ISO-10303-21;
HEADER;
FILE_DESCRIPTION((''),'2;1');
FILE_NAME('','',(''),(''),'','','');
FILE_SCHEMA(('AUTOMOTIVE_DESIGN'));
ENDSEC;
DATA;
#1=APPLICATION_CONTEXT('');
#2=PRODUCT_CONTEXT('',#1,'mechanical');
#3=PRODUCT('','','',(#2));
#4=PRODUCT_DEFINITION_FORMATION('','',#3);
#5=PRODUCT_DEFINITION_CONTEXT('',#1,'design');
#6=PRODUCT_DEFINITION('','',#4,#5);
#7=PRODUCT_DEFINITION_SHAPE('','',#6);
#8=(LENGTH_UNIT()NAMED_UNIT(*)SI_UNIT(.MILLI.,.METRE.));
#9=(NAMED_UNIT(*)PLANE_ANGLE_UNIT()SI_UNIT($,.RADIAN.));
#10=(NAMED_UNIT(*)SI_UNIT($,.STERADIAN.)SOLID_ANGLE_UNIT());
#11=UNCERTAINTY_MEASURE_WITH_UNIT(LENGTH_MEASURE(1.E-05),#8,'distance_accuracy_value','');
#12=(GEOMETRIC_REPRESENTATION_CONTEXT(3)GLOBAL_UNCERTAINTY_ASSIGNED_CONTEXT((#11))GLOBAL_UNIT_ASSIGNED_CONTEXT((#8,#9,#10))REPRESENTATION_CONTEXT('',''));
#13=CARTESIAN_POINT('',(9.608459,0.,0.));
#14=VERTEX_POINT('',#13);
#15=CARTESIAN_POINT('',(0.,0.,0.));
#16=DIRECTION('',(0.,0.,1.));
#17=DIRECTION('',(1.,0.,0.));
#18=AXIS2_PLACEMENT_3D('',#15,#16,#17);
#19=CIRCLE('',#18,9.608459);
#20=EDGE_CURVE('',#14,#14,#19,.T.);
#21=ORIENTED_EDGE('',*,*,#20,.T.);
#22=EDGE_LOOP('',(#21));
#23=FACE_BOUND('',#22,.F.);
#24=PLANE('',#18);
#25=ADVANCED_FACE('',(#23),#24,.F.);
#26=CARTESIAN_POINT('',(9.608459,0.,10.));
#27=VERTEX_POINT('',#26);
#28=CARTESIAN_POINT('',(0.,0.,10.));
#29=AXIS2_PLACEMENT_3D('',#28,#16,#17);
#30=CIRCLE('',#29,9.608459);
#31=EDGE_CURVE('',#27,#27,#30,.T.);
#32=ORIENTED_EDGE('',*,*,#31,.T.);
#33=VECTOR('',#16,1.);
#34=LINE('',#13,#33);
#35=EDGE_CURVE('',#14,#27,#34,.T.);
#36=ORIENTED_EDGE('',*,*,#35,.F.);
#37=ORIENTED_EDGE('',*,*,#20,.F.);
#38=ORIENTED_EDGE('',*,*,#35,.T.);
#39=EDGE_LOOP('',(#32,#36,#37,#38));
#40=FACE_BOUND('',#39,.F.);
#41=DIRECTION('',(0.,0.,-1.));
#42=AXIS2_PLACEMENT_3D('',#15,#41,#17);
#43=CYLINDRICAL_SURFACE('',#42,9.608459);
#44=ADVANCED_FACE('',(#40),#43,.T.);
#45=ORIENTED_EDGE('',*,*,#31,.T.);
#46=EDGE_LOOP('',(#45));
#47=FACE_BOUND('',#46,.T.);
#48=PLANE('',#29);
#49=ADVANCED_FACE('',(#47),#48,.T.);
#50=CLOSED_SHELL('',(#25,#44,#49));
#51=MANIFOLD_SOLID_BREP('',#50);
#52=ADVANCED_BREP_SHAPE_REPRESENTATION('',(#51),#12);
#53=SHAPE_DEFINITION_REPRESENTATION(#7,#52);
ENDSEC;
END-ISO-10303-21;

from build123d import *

# Parameters (mm, degrees)
SKETCH_R  = 9.608459
PAD_DEPTH = 10


with BuildPart() as part:
    # Sketch → Pad (new body)
    with BuildSketch(Plane.XY):
        Circle(SKETCH_R)
    extrude(amount=PAD_DEPTH)


solid = part.part
